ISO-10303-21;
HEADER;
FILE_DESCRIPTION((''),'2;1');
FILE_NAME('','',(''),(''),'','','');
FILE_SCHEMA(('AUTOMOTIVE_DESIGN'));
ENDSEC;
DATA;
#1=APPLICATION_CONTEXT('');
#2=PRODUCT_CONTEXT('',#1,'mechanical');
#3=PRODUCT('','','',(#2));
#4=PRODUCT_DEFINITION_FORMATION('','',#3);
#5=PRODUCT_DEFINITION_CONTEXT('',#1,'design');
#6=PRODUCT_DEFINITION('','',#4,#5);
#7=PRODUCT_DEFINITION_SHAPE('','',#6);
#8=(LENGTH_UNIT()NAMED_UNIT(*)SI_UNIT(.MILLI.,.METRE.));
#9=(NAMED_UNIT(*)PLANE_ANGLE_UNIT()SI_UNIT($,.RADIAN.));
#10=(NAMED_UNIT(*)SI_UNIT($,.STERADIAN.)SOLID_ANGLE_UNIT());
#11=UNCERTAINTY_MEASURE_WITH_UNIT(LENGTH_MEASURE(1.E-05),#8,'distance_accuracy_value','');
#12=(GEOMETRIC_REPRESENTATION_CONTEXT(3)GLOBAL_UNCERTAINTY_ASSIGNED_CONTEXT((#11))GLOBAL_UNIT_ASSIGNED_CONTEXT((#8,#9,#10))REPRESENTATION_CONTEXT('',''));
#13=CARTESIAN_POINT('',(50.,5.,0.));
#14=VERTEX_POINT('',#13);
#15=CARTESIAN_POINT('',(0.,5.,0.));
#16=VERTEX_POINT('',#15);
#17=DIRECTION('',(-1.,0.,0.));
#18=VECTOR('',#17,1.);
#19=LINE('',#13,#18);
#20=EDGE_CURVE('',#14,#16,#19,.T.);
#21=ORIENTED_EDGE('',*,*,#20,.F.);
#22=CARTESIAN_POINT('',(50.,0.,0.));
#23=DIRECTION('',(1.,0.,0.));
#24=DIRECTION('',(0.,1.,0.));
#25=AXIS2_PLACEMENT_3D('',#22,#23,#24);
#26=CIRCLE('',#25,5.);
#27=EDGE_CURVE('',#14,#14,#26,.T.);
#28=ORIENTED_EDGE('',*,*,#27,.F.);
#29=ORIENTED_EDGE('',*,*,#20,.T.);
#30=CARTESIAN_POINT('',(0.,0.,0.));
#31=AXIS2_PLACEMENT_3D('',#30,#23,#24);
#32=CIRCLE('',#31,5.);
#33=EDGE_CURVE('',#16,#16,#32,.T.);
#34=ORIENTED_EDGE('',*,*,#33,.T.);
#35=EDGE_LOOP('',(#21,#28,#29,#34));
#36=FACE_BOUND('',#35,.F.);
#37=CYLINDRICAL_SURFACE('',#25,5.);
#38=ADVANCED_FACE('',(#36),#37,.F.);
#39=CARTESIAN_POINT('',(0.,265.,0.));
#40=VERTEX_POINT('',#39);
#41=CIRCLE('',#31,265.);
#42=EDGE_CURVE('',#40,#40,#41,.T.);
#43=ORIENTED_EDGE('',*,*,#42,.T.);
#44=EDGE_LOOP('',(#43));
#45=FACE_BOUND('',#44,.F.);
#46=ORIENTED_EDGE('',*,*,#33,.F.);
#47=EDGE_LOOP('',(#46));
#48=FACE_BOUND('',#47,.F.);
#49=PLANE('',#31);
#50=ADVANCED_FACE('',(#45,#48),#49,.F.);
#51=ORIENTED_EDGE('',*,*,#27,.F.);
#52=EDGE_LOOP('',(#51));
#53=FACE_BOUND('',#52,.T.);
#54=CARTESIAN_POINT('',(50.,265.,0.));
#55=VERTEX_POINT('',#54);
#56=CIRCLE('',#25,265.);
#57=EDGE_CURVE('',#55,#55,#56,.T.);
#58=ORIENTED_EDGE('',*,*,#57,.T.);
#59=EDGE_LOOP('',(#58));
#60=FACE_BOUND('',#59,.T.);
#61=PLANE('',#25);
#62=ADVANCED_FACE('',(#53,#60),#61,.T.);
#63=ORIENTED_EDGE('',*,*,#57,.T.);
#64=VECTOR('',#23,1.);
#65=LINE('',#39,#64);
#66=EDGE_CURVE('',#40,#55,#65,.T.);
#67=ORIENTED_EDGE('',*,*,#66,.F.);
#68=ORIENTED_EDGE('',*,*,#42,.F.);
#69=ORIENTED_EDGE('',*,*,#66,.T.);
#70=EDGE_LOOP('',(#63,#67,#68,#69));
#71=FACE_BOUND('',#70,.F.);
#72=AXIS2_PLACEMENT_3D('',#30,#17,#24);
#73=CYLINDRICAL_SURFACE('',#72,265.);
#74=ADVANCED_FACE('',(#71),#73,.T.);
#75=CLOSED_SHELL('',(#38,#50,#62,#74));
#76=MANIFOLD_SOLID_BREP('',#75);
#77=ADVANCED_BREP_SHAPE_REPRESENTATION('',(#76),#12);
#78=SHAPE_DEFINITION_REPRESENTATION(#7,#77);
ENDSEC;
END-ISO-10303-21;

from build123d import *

# Parameters (mm, degrees)
SKETCH002_R  = 265
PAD001_DEPTH = 50
SKETCH_R     = 5
POCKET_DEPTH = 50


with BuildPart() as part:
    # Sketch002 → Pad001 (new body)
    with BuildSketch(Plane.YZ):
        Circle(SKETCH002_R)
    extrude(amount=PAD001_DEPTH)

    # Sketch (on Face3 of Pad001) → Pocket (cut)
    with BuildSketch(Plane.YZ.offset(50)):
        Circle(SKETCH_R)
    extrude(amount=-POCKET_DEPTH, mode=Mode.SUBTRACT)


solid = part.part
